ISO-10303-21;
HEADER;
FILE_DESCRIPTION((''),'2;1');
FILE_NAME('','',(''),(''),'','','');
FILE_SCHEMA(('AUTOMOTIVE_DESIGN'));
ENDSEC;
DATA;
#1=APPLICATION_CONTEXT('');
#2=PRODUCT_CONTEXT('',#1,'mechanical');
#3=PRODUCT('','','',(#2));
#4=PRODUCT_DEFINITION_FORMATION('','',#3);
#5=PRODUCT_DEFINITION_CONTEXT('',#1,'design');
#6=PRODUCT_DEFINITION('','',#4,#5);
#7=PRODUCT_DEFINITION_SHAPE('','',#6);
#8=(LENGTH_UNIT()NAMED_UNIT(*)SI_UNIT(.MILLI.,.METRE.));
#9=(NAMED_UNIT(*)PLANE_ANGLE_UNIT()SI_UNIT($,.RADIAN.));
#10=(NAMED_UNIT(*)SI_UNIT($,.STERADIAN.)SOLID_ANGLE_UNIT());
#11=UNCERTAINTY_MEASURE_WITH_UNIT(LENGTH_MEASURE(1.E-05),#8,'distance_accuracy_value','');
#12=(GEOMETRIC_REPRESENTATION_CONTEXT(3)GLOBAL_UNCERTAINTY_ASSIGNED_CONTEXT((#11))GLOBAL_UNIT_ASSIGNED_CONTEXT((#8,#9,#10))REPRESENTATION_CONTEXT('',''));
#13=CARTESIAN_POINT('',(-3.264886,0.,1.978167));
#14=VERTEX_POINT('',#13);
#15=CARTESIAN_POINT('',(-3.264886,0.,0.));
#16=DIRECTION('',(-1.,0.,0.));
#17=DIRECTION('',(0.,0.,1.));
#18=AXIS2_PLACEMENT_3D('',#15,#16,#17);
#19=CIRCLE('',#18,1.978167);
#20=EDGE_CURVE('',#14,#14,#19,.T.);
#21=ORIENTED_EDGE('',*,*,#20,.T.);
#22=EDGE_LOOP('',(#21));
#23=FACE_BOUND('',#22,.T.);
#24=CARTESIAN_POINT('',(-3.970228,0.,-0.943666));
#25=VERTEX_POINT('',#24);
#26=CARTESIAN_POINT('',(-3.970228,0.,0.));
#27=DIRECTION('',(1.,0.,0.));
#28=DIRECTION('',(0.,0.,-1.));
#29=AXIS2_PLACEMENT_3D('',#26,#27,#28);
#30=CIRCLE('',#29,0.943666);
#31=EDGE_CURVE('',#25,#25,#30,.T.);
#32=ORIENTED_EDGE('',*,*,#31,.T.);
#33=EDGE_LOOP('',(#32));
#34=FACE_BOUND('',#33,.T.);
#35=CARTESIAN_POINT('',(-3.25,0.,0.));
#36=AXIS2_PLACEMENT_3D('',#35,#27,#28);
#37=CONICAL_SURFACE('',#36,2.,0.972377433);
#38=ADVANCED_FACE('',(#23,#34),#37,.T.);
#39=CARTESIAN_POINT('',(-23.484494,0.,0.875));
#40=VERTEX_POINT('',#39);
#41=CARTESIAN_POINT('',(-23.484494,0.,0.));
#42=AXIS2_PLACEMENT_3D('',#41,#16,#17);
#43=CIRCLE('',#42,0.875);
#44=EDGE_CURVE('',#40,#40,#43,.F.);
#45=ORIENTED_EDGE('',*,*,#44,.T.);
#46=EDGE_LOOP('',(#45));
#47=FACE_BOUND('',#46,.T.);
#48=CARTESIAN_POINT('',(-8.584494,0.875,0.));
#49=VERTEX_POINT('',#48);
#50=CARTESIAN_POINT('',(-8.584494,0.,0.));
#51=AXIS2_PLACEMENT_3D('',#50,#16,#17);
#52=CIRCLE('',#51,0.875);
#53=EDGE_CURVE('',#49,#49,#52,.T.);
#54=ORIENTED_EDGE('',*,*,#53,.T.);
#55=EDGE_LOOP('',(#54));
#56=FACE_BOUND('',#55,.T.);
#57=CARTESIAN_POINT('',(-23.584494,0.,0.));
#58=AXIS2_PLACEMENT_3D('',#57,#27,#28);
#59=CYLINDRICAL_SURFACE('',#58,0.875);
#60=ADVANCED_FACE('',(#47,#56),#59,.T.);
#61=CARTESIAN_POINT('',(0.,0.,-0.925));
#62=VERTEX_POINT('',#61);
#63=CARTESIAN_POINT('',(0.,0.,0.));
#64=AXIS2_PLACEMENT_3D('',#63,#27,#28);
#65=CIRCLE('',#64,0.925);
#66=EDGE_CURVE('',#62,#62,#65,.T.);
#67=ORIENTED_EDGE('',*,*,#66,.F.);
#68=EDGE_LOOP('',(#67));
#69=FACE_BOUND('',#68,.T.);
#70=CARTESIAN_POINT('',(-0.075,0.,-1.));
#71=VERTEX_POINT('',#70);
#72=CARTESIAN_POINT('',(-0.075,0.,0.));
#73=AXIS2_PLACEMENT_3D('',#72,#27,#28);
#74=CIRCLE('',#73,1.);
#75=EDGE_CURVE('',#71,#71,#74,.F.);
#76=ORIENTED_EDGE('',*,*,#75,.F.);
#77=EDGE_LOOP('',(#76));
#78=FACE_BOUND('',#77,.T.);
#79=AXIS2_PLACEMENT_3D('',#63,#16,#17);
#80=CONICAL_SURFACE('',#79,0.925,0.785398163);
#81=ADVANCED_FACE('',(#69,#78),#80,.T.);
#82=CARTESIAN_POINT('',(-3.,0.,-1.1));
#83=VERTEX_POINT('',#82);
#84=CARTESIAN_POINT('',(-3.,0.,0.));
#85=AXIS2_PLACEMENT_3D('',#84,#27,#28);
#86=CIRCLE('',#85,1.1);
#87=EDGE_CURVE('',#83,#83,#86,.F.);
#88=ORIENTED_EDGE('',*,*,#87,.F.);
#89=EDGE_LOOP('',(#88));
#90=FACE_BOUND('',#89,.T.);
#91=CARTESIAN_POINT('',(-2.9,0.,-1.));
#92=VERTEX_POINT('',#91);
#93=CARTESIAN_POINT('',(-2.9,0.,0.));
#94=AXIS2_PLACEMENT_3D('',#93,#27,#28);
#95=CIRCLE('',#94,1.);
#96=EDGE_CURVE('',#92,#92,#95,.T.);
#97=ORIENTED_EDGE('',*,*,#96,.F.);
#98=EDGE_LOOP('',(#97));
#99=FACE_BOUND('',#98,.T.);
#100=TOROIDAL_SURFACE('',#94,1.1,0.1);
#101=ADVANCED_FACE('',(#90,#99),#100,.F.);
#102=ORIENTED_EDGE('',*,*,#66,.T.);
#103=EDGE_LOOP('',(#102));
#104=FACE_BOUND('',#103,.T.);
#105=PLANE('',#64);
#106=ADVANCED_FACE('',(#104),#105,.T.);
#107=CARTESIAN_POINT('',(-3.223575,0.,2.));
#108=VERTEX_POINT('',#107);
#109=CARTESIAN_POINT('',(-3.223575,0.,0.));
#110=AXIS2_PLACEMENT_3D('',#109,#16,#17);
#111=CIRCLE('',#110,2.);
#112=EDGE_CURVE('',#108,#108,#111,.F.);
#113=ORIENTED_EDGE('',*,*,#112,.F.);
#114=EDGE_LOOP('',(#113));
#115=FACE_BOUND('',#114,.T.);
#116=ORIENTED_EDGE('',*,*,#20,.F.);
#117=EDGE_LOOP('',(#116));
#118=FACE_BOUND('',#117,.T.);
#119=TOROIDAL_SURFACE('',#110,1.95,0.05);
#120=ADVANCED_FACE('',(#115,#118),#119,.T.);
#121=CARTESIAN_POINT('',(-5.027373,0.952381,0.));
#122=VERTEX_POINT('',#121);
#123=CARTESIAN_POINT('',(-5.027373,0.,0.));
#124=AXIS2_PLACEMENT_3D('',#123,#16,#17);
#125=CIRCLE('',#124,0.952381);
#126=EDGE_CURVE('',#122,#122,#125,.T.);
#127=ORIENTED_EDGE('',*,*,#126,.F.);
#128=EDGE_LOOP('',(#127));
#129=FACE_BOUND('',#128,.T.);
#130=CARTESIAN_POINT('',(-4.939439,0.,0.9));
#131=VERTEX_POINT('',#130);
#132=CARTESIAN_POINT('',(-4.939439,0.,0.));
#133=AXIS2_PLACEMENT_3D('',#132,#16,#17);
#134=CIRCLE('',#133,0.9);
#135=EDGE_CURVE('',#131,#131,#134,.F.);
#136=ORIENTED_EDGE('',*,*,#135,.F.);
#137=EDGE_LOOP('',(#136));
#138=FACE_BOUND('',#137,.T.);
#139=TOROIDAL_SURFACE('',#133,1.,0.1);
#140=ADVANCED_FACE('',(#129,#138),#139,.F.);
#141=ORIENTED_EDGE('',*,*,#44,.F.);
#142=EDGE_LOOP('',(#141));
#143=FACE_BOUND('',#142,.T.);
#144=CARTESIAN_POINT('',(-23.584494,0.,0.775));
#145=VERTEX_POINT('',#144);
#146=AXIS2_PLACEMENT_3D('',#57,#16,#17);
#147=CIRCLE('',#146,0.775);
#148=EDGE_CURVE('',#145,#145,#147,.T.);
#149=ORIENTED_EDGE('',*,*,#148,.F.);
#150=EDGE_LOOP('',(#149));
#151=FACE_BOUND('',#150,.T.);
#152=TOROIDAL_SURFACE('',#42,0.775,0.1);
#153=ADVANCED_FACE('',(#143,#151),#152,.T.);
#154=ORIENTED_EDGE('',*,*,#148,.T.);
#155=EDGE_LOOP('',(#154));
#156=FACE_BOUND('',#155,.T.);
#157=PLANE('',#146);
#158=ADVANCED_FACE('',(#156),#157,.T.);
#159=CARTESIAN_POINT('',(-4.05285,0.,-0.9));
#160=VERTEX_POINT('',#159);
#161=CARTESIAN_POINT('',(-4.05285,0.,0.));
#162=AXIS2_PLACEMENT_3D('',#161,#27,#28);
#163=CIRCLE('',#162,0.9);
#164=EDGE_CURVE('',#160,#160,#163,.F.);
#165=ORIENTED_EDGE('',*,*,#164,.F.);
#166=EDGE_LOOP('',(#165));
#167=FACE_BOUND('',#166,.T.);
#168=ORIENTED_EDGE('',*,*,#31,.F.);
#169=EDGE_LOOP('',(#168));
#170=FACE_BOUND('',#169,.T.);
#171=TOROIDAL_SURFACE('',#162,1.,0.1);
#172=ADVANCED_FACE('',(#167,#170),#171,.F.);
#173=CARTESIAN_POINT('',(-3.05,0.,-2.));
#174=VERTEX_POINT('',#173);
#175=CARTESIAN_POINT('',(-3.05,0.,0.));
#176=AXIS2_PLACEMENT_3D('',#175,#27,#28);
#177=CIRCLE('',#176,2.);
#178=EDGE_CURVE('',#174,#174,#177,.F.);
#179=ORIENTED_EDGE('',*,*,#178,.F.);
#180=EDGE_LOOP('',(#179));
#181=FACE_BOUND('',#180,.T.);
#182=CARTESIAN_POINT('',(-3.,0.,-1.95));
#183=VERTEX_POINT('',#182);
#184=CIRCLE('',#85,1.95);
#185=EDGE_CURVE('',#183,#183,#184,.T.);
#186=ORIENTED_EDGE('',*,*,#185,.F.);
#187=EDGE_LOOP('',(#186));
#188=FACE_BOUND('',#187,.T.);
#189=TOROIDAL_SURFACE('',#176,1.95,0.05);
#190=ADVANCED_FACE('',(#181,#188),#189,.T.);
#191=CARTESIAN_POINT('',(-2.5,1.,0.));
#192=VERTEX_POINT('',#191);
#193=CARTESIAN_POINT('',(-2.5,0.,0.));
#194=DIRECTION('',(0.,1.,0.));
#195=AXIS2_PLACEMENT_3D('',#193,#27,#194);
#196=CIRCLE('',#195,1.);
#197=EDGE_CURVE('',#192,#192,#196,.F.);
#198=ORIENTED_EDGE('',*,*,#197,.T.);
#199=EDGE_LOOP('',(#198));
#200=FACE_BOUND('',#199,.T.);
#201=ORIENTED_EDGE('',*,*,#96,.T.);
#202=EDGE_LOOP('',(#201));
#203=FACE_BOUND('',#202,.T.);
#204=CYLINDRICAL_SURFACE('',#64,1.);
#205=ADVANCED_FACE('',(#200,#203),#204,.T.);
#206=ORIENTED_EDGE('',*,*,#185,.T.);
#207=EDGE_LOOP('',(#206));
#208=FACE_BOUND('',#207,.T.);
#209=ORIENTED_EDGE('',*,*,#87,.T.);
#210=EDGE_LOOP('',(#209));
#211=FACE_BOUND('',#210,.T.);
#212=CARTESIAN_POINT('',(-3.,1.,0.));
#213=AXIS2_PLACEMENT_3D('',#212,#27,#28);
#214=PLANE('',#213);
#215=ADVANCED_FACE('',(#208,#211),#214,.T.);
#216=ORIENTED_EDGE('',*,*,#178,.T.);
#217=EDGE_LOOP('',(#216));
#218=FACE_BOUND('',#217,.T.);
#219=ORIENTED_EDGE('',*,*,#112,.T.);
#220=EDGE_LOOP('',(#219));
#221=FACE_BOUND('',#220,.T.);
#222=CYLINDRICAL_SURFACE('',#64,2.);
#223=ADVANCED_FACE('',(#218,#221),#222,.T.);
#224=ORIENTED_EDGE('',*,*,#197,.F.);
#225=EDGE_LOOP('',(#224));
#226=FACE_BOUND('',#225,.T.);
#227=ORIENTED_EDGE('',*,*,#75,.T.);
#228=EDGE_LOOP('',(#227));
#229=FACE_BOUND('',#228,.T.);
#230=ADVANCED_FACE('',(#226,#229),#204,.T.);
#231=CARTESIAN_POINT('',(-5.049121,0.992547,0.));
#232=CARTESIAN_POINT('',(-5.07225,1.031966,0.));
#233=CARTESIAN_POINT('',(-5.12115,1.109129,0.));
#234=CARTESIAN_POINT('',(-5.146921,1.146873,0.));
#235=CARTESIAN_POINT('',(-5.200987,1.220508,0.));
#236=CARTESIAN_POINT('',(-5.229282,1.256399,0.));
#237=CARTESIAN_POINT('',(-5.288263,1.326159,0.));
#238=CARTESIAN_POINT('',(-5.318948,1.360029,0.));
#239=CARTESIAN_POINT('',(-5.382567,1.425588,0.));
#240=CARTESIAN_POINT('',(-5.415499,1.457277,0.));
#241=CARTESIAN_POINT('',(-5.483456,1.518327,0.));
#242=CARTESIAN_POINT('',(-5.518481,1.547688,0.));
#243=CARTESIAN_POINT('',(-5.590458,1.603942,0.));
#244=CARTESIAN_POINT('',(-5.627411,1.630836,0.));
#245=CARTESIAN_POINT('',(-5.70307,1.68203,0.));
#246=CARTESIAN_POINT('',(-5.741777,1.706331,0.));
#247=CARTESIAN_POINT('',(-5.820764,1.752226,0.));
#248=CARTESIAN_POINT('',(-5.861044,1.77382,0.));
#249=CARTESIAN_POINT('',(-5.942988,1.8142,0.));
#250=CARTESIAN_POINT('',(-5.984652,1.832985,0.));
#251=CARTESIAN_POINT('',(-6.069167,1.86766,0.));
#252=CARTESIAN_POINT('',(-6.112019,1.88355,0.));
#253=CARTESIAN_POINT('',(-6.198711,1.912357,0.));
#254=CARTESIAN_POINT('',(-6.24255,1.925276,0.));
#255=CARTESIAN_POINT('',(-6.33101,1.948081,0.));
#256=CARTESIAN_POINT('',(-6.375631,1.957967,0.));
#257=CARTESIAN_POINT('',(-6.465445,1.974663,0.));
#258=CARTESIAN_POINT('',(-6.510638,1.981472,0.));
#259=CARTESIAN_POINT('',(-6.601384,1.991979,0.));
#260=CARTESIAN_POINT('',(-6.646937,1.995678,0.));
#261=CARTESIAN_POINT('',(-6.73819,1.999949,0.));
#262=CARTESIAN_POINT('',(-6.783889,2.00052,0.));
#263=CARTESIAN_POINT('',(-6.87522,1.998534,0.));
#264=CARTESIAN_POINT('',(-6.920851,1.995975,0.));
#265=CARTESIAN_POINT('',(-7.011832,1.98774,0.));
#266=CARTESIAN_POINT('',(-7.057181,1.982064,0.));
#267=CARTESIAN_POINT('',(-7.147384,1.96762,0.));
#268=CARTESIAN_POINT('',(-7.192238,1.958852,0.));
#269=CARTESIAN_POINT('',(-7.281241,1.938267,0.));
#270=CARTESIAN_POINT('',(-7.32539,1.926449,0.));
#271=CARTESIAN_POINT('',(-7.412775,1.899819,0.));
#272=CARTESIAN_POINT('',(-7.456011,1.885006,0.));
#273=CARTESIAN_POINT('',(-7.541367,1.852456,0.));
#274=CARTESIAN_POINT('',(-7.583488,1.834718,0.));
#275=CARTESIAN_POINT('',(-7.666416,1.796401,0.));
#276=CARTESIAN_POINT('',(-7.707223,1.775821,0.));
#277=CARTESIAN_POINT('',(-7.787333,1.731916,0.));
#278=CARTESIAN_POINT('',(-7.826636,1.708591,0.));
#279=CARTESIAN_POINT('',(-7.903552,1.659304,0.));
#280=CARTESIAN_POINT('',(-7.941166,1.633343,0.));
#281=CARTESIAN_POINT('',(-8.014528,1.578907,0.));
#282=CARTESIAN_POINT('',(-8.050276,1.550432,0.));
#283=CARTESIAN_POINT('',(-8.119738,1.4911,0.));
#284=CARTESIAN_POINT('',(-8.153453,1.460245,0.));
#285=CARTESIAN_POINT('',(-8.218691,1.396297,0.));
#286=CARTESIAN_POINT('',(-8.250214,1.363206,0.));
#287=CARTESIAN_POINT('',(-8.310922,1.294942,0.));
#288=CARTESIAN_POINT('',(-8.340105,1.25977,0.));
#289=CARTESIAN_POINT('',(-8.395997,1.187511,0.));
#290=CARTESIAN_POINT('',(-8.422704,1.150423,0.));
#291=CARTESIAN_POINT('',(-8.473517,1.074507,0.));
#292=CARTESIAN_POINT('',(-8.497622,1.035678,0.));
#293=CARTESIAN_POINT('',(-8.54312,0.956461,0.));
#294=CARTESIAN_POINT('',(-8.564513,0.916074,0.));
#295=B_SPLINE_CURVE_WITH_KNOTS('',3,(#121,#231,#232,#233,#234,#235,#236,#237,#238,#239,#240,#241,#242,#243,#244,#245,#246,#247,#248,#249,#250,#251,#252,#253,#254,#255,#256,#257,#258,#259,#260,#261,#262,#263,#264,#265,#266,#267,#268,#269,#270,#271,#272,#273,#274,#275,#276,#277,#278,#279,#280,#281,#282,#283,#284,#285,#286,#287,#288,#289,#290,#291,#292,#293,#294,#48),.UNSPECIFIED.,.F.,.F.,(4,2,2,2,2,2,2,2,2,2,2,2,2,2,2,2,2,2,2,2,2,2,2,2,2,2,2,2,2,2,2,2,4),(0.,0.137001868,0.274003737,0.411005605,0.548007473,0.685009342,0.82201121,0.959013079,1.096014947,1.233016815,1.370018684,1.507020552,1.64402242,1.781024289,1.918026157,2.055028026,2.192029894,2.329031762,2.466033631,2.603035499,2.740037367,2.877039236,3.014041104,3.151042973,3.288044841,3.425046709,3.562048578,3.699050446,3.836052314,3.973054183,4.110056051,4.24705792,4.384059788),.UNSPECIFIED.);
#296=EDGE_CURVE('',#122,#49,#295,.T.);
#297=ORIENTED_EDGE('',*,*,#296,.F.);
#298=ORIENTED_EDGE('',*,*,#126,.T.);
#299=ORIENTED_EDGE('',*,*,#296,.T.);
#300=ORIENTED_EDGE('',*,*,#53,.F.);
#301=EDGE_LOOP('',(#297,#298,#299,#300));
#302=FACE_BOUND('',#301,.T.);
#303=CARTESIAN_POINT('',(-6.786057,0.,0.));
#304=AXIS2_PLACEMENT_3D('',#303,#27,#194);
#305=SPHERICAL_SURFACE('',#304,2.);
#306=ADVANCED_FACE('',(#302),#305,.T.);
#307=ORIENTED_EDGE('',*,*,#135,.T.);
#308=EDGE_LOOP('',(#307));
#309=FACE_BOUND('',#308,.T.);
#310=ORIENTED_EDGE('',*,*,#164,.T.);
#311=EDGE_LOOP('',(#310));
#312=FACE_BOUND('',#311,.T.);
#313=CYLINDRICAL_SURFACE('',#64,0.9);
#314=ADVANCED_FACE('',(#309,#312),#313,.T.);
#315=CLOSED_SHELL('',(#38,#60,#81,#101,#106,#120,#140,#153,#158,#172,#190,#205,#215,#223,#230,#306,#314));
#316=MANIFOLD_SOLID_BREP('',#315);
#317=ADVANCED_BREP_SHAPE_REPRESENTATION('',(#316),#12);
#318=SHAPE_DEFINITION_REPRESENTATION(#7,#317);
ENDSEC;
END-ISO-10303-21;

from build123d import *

# Parameters (mm, degrees)
CHAMFER1_SIZE       = 0.075
FILLET1_R           = 0.1
FILLET2_R           = 0.05
SKETCH3_R           = 0.875
BOSS_EXTRUDE1_DEPTH = 15
FILLET3_R           = 0.1


with BuildPart() as part:
    # Sketch1 → Revolve1 (revolve)
    with BuildSketch(Plane.XY, mode=Mode.PRIVATE) as revolve1_sk:
        with BuildLine():
            Line((0, 0), (0, 1))
            Line((0, 1), (-3, 1))
            Line((-3, 1), (-3, 2))
            Line((-3, 2), (-3.25, 2))
            Line((-3.25, 2), (-4, 0.9))
            Line((-4, 0.9), (-5, 0.9))
            ThreePointArc((-5, 0.9), (-6.800005741, 1.999951358), (-8.584493931, 0.875))
            Line((-8.584493931, 0.875), (-8.584493931, 0))
            Line((-8.584493931, 0), (-5, 0))
            Line((-5, 0), (0, 0))
        make_face()
    revolve(revolve1_sk.sketch.rotate(Axis((0, 0, 0), (-1, 0, 0)), 90), axis=Axis((0, 0, 0), (-1, 0, 0)))

    # Chamfer1
    chamfer1_edges = [part.edges().sort_by_distance(p)[0] for p in [
        (0, 0, 1),
    ]]
    chamfer(chamfer1_edges, length=CHAMFER1_SIZE)

    # Fillet1
    fillet1_edges = [part.edges().sort_by_distance(p)[0] for p in [
        (-4, 0, 0.9),
        (-5, 0, 0.9),
        (-3, 0, 1),
    ]]
    fillet(fillet1_edges, radius=FILLET1_R)

    # Fillet2
    fillet2_edges = [part.edges().sort_by_distance(p)[0] for p in [
        (-3, 0, 2),
        (-3.25, 0, 2),
    ]]
    fillet(fillet2_edges, radius=FILLET2_R)

    # Sketch3 → Boss-Extrude1 (add)
    with BuildSketch(Plane.ZY.offset(8.584493931)):
        with Locations(Location((0, 0, 0), (0, 0, 90))):
            Circle(SKETCH3_R)
    extrude(amount=BOSS_EXTRUDE1_DEPTH)

    # Fillet3
    fillet3_edges = [part.edges().sort_by_distance(p)[0] for p in [
        (-23.584493931, -0.875, 0),
    ]]
    fillet(fillet3_edges, radius=FILLET3_R)


solid = part.part
